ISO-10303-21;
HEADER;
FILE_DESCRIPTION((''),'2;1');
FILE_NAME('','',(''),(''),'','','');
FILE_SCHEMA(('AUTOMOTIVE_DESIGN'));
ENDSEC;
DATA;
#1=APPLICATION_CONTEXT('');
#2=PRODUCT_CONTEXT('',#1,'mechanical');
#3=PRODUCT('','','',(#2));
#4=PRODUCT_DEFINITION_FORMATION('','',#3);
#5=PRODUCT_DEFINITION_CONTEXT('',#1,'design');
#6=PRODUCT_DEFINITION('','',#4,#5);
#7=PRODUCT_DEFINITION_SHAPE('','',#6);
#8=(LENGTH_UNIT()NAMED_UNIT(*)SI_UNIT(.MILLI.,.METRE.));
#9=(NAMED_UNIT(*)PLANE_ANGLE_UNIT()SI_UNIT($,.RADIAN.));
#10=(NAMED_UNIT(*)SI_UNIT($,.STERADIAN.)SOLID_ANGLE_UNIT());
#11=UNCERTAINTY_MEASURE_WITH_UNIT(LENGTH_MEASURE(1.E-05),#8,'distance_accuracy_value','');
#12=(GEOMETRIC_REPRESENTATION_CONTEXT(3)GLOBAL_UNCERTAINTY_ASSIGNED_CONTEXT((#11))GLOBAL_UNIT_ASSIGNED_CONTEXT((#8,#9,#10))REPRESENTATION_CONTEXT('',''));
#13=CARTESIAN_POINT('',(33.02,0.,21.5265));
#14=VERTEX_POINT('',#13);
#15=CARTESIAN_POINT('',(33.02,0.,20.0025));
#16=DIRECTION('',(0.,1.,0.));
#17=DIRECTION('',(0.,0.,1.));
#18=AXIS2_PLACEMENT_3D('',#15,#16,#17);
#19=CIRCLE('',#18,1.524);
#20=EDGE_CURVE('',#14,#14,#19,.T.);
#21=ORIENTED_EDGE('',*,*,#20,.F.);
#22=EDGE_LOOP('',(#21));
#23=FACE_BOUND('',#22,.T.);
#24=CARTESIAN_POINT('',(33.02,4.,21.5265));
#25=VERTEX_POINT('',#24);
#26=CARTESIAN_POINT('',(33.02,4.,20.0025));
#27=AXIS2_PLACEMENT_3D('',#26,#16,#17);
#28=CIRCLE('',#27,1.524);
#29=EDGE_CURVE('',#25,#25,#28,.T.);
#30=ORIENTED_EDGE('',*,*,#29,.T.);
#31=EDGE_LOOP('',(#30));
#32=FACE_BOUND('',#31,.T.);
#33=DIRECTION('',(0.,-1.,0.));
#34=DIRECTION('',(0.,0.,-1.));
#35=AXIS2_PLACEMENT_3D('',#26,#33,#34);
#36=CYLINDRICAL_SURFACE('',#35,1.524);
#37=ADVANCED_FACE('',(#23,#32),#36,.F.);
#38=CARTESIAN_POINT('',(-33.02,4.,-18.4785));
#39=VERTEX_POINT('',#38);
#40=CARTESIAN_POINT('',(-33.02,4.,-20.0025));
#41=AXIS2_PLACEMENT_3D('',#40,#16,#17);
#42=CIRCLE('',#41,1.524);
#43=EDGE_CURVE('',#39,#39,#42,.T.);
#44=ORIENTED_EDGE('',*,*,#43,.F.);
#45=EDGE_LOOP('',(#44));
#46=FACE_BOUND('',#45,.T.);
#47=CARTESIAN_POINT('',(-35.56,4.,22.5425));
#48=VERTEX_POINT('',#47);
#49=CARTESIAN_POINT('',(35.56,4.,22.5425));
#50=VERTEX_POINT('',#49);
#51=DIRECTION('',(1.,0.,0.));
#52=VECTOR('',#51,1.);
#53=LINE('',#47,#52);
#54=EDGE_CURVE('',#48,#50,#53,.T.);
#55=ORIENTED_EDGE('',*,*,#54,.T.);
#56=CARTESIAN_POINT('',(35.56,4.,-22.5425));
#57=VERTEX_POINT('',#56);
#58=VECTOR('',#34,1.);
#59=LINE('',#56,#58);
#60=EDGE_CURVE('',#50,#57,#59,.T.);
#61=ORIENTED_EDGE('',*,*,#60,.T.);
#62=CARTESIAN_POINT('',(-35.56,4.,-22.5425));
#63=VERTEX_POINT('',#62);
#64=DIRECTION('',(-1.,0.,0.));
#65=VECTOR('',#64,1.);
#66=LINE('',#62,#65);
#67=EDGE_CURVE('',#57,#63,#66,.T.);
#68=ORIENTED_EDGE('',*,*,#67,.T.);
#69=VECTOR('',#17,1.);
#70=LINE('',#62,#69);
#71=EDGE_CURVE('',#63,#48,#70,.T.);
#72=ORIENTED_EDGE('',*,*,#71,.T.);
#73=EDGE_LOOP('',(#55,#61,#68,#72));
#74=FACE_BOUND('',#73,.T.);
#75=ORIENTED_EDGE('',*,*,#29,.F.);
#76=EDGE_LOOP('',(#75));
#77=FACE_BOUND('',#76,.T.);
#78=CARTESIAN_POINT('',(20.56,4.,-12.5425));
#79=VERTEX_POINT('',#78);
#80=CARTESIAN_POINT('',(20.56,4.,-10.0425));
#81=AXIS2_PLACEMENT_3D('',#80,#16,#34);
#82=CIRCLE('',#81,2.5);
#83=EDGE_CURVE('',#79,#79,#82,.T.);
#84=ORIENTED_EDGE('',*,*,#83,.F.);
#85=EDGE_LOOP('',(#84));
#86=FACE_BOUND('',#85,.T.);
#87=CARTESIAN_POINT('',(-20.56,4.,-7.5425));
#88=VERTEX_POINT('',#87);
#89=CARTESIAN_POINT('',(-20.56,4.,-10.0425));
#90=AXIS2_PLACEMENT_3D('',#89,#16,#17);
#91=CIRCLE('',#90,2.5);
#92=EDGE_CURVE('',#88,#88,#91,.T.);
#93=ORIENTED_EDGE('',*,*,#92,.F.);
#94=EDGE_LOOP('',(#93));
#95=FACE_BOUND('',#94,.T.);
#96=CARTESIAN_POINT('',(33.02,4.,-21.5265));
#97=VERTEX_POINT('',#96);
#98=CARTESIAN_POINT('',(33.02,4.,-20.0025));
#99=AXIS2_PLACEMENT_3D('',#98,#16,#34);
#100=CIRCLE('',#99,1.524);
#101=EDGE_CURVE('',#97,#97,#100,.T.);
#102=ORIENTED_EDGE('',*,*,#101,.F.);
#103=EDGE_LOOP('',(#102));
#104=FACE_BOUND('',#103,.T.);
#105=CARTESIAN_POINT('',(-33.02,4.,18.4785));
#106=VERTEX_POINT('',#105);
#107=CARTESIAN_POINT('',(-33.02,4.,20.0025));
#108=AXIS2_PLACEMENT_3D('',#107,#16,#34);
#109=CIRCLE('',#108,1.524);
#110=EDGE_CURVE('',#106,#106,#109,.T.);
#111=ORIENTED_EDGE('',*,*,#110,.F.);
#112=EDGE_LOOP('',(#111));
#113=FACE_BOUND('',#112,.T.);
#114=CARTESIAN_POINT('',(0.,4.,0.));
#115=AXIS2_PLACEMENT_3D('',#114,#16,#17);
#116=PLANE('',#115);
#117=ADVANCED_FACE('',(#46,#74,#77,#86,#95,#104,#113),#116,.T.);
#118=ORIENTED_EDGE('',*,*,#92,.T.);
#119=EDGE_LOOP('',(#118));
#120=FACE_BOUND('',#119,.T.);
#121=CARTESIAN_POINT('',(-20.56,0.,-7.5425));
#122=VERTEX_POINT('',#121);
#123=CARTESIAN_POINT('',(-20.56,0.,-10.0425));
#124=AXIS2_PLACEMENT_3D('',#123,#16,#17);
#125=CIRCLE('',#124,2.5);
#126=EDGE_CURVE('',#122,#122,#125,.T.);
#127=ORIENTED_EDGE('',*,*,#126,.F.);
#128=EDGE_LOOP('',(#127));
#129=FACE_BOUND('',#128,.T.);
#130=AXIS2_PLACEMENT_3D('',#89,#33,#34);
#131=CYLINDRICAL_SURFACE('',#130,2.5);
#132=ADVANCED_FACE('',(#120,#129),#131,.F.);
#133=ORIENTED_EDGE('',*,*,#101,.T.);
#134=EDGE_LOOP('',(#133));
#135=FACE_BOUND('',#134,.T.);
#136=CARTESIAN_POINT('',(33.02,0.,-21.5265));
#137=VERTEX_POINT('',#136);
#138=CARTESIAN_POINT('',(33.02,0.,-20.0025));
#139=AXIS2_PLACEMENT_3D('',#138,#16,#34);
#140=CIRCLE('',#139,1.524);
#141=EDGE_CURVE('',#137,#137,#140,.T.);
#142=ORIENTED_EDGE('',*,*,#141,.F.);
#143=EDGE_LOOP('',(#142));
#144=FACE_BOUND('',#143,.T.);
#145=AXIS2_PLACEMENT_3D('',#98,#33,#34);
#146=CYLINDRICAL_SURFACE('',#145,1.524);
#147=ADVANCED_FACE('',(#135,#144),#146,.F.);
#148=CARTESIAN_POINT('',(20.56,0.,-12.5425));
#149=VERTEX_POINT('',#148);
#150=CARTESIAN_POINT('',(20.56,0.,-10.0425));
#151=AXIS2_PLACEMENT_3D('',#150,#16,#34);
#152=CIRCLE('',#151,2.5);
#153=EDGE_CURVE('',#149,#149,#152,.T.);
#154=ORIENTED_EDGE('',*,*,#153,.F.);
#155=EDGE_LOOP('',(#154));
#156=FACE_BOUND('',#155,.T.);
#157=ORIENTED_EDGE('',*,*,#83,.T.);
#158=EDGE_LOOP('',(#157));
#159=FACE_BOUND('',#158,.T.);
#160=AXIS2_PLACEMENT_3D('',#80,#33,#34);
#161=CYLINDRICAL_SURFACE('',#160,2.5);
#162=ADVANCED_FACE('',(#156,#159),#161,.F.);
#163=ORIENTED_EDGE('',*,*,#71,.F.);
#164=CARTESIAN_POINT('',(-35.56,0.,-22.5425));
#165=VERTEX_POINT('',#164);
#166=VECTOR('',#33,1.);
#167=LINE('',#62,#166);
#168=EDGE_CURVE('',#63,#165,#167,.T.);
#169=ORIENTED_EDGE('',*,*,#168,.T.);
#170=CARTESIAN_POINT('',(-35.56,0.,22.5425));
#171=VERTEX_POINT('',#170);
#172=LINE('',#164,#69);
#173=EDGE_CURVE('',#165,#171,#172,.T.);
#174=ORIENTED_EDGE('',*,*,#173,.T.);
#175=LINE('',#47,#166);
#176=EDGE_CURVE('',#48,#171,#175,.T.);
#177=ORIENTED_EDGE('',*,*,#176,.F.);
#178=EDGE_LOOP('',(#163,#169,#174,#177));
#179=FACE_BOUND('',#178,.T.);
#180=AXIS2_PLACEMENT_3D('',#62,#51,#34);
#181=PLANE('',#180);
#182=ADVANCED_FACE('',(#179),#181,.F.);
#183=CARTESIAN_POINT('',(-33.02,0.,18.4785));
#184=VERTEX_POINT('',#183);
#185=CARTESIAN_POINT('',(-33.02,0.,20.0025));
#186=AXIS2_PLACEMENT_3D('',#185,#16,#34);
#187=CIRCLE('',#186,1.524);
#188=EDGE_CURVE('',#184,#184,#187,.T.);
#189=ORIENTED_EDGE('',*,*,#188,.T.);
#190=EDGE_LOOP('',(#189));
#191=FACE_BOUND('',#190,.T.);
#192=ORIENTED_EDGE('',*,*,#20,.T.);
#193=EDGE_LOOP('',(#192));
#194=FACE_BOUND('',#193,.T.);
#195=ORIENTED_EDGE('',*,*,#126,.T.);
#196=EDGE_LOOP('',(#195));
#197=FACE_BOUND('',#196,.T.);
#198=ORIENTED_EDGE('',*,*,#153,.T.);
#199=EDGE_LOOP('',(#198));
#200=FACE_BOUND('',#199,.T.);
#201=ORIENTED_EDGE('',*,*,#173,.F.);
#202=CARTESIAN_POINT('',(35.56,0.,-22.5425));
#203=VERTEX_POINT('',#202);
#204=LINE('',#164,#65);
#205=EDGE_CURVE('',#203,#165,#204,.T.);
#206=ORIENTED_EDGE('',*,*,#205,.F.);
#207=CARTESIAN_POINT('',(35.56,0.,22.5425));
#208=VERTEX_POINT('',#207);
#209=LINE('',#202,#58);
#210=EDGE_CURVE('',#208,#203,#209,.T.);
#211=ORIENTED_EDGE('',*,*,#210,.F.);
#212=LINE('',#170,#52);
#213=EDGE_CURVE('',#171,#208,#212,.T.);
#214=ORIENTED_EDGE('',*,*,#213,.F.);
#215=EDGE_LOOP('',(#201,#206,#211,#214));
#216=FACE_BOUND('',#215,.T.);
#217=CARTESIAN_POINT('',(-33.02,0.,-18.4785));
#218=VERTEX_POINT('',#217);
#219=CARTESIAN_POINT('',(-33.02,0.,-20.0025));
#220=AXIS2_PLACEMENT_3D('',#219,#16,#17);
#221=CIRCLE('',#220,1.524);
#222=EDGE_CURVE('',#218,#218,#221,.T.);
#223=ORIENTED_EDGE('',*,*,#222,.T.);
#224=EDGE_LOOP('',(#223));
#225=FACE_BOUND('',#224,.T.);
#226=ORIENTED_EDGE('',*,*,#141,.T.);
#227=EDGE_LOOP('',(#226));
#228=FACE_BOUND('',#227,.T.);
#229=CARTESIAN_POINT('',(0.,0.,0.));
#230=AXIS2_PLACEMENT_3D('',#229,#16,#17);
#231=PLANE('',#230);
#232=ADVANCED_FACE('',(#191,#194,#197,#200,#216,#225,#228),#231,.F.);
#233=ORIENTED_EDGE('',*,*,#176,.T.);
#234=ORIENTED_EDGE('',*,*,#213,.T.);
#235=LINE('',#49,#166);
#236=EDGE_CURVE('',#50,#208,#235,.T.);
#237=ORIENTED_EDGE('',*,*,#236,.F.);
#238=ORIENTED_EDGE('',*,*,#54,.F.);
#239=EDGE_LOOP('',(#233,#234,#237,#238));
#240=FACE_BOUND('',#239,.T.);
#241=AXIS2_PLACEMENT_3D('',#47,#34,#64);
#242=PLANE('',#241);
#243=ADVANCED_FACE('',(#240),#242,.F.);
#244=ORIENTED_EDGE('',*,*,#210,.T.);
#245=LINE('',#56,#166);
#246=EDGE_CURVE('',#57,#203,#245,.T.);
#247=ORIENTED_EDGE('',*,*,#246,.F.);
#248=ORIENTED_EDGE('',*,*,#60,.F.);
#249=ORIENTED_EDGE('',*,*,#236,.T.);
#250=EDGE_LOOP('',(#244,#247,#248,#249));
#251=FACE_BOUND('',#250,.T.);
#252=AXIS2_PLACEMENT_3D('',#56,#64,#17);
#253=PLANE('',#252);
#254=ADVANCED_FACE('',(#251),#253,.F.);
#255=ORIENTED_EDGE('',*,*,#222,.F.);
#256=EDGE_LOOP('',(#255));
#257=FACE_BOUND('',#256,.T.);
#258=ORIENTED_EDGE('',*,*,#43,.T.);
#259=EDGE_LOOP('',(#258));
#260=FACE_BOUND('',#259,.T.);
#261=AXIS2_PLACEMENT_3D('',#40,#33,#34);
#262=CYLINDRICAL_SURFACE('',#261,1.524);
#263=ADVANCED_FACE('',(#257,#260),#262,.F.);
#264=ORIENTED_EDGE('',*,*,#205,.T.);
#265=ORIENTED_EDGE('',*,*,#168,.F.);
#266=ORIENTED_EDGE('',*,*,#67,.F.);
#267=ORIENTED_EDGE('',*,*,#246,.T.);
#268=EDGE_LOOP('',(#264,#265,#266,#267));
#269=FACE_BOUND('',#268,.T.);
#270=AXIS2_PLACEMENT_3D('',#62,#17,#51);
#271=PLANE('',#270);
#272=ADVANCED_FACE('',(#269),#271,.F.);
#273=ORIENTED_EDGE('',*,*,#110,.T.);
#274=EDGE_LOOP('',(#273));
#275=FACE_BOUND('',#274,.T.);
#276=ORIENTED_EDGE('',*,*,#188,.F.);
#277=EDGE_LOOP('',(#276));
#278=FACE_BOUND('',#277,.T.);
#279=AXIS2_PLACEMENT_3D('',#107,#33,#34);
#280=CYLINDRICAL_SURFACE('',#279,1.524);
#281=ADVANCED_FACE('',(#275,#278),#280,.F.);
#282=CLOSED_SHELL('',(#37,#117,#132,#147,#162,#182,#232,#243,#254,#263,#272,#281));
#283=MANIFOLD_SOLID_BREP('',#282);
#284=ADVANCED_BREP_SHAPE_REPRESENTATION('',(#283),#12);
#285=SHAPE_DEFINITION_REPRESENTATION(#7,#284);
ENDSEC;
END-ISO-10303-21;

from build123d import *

# Parameters (mm, degrees)
SKETCH1_W           = 71.12
SKETCH1_H           = 45.085
SKETCH1_R           = 1.524
SKETCH1_R_2         = 2.5
BOSS_EXTRUDE1_DEPTH = 4


with BuildPart() as part:
    # Sketch1 → Boss-Extrude1 (new body)
    with BuildSketch(Plane(origin=(0, 0, 0), x_dir=(1, 0, 0), z_dir=(0, 1, 0))):
        Rectangle(SKETCH1_W, SKETCH1_H)
        with Locations((-33.02, 20.0025)):
            Circle(SKETCH1_R, mode=Mode.SUBTRACT)
        with Locations((33.02, 20.0025)):
            Circle(SKETCH1_R, mode=Mode.SUBTRACT)
        with Locations((33.02, -20.0025)):
            Circle(SKETCH1_R, mode=Mode.SUBTRACT)
        with Locations((-33.02, -20.0025)):
            Circle(SKETCH1_R, mode=Mode.SUBTRACT)
        with Locations((-20.56, 10.0425)):
            Circle(SKETCH1_R_2, mode=Mode.SUBTRACT)
        with Locations((20.56, 10.0425)):
            Circle(SKETCH1_R_2, mode=Mode.SUBTRACT)
    extrude(amount=BOSS_EXTRUDE1_DEPTH)


solid = part.part
